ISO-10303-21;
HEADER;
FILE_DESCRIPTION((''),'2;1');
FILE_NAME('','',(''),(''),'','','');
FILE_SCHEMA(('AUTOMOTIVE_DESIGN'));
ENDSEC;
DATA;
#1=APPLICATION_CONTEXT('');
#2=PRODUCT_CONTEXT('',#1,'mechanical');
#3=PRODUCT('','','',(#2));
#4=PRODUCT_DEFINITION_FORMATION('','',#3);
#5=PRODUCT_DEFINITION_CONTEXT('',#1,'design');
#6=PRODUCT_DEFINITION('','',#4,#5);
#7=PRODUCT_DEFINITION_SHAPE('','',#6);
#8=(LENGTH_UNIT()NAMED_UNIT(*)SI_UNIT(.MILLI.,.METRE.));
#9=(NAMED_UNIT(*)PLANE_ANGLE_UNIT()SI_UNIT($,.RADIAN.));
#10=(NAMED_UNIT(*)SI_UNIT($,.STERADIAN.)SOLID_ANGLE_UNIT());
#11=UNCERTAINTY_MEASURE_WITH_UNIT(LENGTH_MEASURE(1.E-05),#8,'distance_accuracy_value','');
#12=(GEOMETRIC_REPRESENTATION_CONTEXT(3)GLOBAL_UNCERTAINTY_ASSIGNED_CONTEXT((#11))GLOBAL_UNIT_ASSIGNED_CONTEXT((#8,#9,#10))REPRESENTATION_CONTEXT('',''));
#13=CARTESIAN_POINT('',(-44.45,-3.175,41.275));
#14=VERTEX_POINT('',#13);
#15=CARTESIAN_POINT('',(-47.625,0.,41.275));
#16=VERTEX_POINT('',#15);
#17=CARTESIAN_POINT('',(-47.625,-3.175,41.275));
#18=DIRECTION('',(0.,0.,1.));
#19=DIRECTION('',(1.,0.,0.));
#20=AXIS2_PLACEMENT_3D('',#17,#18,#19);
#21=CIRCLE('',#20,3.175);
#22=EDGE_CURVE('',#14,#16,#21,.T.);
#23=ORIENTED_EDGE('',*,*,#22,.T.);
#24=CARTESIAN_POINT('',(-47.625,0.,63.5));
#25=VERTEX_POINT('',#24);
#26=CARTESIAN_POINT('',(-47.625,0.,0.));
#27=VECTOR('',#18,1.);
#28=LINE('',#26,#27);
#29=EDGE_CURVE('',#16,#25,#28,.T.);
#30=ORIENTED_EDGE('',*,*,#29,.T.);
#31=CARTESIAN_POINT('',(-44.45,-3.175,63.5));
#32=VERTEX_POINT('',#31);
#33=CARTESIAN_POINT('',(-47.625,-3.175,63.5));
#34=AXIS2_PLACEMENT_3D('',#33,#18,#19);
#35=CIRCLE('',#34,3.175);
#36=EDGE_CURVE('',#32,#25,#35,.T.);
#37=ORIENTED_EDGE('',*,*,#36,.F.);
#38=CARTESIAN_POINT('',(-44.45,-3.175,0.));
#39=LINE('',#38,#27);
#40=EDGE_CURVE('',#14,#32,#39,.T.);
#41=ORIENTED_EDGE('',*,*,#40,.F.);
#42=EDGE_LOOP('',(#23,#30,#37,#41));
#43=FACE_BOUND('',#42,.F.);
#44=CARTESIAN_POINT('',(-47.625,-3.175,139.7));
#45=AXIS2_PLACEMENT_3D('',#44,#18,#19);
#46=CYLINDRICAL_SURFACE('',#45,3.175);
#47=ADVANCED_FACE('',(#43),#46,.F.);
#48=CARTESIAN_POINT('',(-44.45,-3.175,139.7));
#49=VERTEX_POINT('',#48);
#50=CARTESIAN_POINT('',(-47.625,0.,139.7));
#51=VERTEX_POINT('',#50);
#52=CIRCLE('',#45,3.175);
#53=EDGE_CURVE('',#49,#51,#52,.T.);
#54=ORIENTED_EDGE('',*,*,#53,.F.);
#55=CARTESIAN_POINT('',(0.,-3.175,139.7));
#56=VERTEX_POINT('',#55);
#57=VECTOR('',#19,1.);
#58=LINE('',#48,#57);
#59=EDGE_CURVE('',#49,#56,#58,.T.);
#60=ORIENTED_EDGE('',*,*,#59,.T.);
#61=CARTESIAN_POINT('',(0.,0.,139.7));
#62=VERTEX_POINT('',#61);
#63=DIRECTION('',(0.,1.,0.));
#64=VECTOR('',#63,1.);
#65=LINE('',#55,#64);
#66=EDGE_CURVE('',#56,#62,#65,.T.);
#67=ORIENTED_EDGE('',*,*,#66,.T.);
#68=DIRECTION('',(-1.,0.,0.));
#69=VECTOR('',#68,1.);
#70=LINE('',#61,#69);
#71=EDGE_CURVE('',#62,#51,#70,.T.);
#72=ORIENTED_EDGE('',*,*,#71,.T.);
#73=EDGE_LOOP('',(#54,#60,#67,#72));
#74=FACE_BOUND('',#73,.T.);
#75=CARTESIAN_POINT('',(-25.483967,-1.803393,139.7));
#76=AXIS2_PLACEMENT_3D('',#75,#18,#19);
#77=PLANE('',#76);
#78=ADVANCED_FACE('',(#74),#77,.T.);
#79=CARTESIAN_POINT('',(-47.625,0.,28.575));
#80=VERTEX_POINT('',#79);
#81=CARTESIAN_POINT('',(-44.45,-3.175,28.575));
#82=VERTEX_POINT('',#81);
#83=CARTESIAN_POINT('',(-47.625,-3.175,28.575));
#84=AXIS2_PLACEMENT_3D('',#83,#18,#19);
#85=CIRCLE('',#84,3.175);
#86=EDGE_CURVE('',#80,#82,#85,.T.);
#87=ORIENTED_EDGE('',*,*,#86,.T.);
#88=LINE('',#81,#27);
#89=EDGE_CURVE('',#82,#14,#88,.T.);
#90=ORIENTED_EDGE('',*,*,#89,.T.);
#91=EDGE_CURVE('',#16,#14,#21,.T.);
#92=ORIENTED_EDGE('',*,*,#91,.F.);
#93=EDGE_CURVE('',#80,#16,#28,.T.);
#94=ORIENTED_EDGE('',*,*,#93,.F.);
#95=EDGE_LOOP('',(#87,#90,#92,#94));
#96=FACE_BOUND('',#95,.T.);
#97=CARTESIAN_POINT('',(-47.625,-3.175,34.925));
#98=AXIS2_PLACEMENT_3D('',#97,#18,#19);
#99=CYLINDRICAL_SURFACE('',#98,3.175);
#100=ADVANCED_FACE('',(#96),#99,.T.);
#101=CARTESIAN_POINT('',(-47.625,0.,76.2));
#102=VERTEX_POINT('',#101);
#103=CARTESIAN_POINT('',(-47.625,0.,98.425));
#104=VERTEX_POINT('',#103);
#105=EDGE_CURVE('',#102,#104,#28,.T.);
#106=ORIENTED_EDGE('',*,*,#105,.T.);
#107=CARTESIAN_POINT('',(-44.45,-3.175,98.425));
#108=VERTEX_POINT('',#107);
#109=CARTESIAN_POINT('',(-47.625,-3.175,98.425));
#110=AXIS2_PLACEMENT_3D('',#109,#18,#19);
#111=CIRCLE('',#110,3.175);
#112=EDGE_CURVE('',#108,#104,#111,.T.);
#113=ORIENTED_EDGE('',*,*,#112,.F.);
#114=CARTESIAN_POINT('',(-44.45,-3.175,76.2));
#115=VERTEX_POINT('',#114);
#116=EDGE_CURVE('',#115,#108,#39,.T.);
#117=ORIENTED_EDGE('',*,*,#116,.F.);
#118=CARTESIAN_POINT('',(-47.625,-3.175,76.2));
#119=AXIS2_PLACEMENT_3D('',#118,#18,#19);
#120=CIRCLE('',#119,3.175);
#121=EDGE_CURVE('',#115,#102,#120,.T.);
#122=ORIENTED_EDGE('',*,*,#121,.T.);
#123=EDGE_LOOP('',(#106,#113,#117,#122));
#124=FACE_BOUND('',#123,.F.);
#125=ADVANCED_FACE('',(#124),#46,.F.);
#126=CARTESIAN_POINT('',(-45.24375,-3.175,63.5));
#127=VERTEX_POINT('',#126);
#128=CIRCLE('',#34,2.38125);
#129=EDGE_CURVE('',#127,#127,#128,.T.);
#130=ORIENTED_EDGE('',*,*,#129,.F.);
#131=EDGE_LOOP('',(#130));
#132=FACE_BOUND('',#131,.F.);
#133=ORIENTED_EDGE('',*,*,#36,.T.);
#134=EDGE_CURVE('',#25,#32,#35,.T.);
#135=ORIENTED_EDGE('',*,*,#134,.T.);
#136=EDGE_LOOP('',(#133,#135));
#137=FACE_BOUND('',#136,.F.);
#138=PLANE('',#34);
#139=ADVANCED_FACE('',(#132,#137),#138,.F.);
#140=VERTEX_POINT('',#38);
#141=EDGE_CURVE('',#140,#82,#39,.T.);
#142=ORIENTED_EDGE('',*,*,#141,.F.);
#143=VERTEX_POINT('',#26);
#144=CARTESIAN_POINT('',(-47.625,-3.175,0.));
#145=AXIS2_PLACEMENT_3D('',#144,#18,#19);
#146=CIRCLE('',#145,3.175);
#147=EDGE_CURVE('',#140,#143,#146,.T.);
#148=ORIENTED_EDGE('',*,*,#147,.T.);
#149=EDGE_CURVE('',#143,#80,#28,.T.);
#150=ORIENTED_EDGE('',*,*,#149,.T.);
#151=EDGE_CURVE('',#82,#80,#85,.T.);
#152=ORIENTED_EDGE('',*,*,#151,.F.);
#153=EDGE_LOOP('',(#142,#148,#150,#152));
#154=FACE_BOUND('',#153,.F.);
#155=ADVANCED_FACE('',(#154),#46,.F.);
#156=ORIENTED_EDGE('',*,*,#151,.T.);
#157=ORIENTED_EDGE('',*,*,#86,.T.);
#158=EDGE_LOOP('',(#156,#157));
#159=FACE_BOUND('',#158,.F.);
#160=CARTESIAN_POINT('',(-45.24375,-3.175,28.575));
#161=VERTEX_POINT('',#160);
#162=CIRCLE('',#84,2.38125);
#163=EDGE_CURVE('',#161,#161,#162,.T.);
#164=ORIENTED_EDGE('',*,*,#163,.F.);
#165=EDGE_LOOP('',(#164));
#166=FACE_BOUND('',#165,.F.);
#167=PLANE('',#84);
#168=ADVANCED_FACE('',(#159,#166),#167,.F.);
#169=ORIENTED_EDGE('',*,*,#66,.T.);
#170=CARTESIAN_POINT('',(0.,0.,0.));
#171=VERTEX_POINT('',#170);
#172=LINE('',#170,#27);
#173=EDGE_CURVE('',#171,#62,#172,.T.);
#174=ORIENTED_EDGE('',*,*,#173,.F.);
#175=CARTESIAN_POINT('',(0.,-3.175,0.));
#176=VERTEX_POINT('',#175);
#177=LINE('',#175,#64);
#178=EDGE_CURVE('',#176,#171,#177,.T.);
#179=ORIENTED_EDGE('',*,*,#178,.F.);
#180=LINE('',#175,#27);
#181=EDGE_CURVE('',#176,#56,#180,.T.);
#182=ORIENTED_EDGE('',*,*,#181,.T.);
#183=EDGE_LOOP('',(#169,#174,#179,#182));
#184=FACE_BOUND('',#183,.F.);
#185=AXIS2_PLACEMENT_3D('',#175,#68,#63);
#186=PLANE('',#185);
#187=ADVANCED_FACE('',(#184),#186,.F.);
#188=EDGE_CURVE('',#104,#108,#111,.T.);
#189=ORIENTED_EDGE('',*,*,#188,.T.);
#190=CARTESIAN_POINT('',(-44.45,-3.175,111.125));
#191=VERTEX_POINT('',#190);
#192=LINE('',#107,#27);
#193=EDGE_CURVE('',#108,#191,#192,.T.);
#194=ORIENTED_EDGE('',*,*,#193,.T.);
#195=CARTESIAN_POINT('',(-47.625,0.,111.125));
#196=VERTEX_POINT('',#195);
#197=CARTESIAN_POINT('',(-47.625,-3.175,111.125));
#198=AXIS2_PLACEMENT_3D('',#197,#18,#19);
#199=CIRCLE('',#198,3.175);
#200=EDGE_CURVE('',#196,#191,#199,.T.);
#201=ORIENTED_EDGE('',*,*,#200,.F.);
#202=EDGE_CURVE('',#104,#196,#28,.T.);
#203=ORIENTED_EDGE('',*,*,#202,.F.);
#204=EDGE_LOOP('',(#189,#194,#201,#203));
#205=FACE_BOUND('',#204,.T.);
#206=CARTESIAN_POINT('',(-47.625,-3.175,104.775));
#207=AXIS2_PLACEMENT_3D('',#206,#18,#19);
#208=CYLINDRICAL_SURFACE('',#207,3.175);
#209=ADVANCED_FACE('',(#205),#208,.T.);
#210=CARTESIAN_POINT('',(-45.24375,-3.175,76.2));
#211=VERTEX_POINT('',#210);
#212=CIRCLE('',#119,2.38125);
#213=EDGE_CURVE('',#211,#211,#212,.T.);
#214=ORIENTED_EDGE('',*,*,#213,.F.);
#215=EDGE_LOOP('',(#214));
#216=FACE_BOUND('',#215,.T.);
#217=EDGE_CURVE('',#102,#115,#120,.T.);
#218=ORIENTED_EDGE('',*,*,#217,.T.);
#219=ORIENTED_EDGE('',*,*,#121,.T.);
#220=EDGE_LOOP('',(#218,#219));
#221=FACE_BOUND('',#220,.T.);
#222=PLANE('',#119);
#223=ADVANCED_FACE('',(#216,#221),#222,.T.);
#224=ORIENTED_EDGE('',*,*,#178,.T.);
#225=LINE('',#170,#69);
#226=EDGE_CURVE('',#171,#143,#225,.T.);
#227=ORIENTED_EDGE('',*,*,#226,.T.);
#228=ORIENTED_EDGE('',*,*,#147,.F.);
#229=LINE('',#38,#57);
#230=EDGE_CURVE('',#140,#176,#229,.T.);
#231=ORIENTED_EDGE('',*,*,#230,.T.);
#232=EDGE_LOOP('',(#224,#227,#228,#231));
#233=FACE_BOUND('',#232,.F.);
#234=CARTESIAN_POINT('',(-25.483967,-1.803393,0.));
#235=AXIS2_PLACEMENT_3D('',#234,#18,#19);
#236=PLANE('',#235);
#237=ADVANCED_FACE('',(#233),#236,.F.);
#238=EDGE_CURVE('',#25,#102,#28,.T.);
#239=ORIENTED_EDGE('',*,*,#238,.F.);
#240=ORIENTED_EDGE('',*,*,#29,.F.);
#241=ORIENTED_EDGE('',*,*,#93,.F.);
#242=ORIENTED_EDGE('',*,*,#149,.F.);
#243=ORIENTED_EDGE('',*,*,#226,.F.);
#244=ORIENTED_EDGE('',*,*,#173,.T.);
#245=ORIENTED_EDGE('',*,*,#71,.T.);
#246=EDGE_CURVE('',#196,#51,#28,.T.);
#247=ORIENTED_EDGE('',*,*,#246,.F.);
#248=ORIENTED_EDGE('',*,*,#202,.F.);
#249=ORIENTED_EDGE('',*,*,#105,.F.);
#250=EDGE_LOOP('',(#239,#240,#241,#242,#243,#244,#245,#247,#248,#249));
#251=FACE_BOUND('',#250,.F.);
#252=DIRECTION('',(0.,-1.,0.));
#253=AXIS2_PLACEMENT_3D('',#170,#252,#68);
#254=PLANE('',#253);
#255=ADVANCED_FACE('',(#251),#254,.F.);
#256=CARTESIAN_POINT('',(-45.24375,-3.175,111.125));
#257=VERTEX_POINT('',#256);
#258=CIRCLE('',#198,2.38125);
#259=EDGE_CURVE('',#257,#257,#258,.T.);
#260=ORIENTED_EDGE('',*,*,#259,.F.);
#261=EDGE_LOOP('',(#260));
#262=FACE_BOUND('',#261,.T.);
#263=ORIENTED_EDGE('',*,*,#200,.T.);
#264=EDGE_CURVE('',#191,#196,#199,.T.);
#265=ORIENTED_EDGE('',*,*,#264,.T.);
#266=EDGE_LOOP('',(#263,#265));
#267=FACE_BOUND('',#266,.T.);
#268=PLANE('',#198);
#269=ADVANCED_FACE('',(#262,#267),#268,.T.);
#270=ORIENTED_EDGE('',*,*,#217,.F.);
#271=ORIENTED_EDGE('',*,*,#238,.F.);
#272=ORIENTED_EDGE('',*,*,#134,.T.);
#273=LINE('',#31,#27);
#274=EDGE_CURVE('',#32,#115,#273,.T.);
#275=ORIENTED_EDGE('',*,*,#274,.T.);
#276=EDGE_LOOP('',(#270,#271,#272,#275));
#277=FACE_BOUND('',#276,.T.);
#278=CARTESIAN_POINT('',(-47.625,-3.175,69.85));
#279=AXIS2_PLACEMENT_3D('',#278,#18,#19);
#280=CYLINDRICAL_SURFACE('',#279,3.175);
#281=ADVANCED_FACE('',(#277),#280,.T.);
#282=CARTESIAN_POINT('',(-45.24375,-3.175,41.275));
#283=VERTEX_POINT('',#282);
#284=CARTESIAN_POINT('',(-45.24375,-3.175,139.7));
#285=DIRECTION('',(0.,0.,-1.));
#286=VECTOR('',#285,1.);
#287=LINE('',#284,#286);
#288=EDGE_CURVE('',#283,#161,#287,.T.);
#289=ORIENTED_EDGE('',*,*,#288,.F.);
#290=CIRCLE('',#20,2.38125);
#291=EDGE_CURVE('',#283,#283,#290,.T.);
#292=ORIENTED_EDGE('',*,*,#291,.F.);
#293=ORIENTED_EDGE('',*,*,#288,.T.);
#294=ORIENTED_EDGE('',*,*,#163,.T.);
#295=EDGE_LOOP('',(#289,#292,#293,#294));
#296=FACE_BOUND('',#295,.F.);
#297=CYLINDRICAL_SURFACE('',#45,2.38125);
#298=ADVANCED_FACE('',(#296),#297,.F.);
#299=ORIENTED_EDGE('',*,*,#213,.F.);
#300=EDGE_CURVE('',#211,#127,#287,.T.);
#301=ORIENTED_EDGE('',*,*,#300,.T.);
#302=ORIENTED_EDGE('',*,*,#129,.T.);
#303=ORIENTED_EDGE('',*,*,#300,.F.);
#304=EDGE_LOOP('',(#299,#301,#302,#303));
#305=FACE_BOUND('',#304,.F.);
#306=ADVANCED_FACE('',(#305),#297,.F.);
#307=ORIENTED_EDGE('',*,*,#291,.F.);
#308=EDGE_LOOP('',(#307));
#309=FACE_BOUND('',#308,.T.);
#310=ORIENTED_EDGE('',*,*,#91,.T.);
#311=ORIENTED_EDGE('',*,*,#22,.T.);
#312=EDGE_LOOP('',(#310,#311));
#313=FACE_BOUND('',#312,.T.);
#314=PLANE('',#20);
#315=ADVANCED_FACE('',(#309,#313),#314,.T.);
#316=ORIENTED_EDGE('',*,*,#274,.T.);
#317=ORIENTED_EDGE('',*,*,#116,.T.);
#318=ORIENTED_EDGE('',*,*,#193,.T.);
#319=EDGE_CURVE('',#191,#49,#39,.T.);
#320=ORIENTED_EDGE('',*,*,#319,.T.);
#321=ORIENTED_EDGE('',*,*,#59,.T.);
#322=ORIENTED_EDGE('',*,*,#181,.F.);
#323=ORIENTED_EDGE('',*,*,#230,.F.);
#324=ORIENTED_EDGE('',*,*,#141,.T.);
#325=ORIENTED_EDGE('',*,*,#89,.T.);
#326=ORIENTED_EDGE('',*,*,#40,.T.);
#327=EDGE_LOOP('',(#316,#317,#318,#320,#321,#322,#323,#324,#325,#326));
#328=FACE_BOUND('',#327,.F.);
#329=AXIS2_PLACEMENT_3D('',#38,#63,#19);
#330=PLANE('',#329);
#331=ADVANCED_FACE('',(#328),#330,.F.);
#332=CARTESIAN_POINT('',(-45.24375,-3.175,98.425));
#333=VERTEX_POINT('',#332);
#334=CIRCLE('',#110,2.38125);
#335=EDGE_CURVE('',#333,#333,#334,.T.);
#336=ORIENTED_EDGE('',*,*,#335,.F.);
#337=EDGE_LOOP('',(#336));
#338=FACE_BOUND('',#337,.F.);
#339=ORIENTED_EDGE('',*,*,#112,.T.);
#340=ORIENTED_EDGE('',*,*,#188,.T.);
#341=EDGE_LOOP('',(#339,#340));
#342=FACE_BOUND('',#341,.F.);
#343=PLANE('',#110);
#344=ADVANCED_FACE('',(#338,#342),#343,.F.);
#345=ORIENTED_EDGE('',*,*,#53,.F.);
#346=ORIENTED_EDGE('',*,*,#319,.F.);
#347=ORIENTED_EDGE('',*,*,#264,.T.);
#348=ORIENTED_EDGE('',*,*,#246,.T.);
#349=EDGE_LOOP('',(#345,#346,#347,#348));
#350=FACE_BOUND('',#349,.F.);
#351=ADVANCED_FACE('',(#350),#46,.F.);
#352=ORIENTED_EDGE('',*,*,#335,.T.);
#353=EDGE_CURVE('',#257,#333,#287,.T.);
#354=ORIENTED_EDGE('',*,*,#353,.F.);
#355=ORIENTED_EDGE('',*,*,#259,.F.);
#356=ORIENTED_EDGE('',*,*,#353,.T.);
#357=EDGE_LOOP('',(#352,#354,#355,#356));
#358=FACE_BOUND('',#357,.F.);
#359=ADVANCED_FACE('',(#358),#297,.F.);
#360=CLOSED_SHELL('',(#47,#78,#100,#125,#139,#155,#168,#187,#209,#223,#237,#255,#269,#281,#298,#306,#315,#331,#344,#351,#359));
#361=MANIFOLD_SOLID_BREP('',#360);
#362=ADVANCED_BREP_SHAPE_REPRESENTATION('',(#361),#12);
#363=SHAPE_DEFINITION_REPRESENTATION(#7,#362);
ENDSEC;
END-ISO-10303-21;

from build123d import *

# Parameters (mm, degrees)
F1_DEPTH  = 139.7
F3_DEPTH  = 139.701
F7_R      = 3.175
F8_DEPTH  = 6.35
F9_R      = 3.175
F10_DEPTH = 6.35
F11_R     = 3.175
F12_DEPTH = 6.35
F13_R     = 2.38125
F14_DEPTH = 139.701


with BuildPart() as f1:
    # F0 (on Top) → F1 (new body)
    with BuildSketch(Plane.XY):
        with BuildLine():
            Line((0, -3.175), (0, 0))
            Line((0, 0), (-47.625, 0))
            ThreePointArc((-47.625, 0), (-49.8700640303, -5.4200640303), (-44.45, -3.175))
            Line((-44.45, -3.175), (0, -3.175))
        make_face()
    extrude(amount=F1_DEPTH)

    # F2 (on face) → F3 (cut, through all)
    with BuildSketch(Plane.XY.offset(139.7)):
        with BuildLine():
            ThreePointArc((-47.625, 0), (-49.8700640303, -5.4200640303), (-44.45, -3.175))
            ThreePointArc((-44.45, -3.175), (-45.3799359697, -0.9299359697), (-47.625, 0))
        make_face()
    extrude(amount=-F3_DEPTH, mode=Mode.SUBTRACT)

    # F7 (on mid) → F8 (join, symmetric)
    with BuildSketch(Plane.XY.offset(104.775)):
        with Locations((-47.625, -3.175)):
            Circle(F7_R)
    extrude(amount=F8_DEPTH, both=True)

    # F9 (on mid) → F10 (join, symmetric)
    with BuildSketch(Plane.XY.offset(69.85)):
        with Locations((-47.625, -3.175)):
            Circle(F9_R)
    extrude(amount=F10_DEPTH, both=True)

    # F11 (on mid) → F12 (join, symmetric)
    with BuildSketch(Plane.XY.offset(34.925)):
        with Locations((-47.625, -3.175)):
            Circle(F11_R)
    extrude(amount=F12_DEPTH, both=True)

    # F13 (on face) → F14 (cut, through all)
    with BuildSketch(Plane.XY.offset(139.7)):
        with Locations((-47.625, -3.175)):
            Circle(F13_R)
    extrude(amount=-F14_DEPTH, mode=Mode.SUBTRACT)


solid = f1.part
